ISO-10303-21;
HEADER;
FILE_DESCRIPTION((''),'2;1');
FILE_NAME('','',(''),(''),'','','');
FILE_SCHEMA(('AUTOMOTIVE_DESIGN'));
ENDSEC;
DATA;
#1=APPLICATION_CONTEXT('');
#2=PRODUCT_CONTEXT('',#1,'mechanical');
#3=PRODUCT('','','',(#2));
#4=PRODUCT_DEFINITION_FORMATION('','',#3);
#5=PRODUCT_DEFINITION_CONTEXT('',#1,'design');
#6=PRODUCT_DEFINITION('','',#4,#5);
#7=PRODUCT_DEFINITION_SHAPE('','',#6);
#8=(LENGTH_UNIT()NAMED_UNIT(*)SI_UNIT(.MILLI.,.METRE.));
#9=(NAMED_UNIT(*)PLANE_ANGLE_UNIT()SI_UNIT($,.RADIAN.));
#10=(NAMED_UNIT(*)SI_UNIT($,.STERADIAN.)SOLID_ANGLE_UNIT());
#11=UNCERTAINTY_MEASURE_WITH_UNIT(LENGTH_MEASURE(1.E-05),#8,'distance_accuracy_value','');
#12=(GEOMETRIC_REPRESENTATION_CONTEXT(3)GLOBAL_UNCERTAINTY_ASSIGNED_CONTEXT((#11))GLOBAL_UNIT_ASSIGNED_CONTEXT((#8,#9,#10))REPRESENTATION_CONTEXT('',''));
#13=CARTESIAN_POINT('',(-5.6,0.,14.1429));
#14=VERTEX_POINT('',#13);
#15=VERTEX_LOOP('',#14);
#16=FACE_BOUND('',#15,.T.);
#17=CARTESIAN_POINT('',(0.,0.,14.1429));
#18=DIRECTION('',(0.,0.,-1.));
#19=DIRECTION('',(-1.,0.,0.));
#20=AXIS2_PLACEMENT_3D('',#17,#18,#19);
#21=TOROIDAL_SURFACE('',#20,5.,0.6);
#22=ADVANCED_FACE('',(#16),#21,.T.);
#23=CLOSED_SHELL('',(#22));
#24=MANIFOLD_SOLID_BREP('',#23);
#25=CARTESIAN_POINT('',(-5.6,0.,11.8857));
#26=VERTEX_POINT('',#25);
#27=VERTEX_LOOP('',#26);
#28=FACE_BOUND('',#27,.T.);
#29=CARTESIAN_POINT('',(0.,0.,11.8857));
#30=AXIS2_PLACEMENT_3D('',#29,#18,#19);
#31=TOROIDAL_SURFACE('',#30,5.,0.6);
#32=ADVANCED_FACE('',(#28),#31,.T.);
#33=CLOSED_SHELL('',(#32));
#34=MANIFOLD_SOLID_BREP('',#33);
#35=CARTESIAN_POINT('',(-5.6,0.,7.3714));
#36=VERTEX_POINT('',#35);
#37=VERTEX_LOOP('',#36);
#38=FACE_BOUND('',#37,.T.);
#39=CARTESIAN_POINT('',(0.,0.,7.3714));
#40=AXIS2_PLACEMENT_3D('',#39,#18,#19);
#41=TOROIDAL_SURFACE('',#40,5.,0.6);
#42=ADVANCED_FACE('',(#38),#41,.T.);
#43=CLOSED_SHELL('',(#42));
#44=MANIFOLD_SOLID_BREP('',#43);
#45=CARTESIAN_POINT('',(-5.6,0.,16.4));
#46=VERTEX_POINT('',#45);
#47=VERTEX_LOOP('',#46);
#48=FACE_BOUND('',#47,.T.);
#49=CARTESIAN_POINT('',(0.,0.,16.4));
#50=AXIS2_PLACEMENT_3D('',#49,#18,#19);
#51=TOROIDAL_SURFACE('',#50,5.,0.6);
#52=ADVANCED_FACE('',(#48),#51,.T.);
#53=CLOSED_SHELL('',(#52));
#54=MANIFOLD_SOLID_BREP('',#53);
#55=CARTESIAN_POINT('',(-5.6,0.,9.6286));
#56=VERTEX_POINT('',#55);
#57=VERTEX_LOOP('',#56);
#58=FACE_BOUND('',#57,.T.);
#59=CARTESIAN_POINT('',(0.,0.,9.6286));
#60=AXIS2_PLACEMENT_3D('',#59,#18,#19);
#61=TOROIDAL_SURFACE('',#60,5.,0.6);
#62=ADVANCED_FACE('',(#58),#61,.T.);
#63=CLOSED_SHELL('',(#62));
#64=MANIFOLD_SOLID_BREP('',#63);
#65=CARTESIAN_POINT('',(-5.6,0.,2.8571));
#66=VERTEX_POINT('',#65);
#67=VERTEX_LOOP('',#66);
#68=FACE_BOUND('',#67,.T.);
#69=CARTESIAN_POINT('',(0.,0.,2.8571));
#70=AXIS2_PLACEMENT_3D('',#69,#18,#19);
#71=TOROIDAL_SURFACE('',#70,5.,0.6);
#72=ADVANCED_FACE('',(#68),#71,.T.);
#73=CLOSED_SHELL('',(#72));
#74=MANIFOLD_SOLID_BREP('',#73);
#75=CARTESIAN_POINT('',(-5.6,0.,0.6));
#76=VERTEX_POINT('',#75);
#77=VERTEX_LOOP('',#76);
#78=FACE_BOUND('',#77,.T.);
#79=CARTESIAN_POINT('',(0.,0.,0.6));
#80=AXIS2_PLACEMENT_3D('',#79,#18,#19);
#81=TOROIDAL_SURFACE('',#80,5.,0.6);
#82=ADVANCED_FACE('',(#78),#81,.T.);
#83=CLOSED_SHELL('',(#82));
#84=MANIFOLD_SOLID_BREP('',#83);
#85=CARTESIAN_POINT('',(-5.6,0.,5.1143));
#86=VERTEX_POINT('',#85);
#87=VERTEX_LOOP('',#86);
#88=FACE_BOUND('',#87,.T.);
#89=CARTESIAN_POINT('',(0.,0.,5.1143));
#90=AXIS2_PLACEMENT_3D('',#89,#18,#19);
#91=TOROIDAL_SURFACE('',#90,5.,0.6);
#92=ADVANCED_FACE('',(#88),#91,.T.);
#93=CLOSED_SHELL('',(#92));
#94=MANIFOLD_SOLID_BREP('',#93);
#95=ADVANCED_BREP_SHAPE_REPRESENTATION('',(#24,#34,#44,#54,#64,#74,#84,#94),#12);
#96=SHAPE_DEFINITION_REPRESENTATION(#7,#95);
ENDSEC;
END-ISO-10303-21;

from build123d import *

# Parameters (mm, degrees)
SKETCH_1_R = 0.6


with BuildPart() as part:
    # 草图1 → 旋转1 (revolve)
    with BuildSketch(Plane(origin=(0, 0, 0), x_dir=(1, 0, 0), z_dir=(0, 1, 0)), mode=Mode.PRIVATE) as revolve_1_sk:
        with Locations((5, -0.6)):
            Circle(SKETCH_1_R)
        with Locations((5, -2.8571)):
            Circle(SKETCH_1_R)
        with Locations((5, -5.1143)):
            Circle(SKETCH_1_R)
        with Locations((5, -7.3714)):
            Circle(SKETCH_1_R)
        with Locations((5, -9.6286)):
            Circle(SKETCH_1_R)
        with Locations((5, -11.8857)):
            Circle(SKETCH_1_R)
        with Locations((5, -14.1429)):
            Circle(SKETCH_1_R)
        with Locations((5, -16.4)):
            Circle(SKETCH_1_R)
    revolve(revolve_1_sk.sketch.rotate(Axis((0, 0, 0), (0, 0, 1)), 180), axis=Axis((0, 0, 0), (0, 0, 1)))


solid = part.part
